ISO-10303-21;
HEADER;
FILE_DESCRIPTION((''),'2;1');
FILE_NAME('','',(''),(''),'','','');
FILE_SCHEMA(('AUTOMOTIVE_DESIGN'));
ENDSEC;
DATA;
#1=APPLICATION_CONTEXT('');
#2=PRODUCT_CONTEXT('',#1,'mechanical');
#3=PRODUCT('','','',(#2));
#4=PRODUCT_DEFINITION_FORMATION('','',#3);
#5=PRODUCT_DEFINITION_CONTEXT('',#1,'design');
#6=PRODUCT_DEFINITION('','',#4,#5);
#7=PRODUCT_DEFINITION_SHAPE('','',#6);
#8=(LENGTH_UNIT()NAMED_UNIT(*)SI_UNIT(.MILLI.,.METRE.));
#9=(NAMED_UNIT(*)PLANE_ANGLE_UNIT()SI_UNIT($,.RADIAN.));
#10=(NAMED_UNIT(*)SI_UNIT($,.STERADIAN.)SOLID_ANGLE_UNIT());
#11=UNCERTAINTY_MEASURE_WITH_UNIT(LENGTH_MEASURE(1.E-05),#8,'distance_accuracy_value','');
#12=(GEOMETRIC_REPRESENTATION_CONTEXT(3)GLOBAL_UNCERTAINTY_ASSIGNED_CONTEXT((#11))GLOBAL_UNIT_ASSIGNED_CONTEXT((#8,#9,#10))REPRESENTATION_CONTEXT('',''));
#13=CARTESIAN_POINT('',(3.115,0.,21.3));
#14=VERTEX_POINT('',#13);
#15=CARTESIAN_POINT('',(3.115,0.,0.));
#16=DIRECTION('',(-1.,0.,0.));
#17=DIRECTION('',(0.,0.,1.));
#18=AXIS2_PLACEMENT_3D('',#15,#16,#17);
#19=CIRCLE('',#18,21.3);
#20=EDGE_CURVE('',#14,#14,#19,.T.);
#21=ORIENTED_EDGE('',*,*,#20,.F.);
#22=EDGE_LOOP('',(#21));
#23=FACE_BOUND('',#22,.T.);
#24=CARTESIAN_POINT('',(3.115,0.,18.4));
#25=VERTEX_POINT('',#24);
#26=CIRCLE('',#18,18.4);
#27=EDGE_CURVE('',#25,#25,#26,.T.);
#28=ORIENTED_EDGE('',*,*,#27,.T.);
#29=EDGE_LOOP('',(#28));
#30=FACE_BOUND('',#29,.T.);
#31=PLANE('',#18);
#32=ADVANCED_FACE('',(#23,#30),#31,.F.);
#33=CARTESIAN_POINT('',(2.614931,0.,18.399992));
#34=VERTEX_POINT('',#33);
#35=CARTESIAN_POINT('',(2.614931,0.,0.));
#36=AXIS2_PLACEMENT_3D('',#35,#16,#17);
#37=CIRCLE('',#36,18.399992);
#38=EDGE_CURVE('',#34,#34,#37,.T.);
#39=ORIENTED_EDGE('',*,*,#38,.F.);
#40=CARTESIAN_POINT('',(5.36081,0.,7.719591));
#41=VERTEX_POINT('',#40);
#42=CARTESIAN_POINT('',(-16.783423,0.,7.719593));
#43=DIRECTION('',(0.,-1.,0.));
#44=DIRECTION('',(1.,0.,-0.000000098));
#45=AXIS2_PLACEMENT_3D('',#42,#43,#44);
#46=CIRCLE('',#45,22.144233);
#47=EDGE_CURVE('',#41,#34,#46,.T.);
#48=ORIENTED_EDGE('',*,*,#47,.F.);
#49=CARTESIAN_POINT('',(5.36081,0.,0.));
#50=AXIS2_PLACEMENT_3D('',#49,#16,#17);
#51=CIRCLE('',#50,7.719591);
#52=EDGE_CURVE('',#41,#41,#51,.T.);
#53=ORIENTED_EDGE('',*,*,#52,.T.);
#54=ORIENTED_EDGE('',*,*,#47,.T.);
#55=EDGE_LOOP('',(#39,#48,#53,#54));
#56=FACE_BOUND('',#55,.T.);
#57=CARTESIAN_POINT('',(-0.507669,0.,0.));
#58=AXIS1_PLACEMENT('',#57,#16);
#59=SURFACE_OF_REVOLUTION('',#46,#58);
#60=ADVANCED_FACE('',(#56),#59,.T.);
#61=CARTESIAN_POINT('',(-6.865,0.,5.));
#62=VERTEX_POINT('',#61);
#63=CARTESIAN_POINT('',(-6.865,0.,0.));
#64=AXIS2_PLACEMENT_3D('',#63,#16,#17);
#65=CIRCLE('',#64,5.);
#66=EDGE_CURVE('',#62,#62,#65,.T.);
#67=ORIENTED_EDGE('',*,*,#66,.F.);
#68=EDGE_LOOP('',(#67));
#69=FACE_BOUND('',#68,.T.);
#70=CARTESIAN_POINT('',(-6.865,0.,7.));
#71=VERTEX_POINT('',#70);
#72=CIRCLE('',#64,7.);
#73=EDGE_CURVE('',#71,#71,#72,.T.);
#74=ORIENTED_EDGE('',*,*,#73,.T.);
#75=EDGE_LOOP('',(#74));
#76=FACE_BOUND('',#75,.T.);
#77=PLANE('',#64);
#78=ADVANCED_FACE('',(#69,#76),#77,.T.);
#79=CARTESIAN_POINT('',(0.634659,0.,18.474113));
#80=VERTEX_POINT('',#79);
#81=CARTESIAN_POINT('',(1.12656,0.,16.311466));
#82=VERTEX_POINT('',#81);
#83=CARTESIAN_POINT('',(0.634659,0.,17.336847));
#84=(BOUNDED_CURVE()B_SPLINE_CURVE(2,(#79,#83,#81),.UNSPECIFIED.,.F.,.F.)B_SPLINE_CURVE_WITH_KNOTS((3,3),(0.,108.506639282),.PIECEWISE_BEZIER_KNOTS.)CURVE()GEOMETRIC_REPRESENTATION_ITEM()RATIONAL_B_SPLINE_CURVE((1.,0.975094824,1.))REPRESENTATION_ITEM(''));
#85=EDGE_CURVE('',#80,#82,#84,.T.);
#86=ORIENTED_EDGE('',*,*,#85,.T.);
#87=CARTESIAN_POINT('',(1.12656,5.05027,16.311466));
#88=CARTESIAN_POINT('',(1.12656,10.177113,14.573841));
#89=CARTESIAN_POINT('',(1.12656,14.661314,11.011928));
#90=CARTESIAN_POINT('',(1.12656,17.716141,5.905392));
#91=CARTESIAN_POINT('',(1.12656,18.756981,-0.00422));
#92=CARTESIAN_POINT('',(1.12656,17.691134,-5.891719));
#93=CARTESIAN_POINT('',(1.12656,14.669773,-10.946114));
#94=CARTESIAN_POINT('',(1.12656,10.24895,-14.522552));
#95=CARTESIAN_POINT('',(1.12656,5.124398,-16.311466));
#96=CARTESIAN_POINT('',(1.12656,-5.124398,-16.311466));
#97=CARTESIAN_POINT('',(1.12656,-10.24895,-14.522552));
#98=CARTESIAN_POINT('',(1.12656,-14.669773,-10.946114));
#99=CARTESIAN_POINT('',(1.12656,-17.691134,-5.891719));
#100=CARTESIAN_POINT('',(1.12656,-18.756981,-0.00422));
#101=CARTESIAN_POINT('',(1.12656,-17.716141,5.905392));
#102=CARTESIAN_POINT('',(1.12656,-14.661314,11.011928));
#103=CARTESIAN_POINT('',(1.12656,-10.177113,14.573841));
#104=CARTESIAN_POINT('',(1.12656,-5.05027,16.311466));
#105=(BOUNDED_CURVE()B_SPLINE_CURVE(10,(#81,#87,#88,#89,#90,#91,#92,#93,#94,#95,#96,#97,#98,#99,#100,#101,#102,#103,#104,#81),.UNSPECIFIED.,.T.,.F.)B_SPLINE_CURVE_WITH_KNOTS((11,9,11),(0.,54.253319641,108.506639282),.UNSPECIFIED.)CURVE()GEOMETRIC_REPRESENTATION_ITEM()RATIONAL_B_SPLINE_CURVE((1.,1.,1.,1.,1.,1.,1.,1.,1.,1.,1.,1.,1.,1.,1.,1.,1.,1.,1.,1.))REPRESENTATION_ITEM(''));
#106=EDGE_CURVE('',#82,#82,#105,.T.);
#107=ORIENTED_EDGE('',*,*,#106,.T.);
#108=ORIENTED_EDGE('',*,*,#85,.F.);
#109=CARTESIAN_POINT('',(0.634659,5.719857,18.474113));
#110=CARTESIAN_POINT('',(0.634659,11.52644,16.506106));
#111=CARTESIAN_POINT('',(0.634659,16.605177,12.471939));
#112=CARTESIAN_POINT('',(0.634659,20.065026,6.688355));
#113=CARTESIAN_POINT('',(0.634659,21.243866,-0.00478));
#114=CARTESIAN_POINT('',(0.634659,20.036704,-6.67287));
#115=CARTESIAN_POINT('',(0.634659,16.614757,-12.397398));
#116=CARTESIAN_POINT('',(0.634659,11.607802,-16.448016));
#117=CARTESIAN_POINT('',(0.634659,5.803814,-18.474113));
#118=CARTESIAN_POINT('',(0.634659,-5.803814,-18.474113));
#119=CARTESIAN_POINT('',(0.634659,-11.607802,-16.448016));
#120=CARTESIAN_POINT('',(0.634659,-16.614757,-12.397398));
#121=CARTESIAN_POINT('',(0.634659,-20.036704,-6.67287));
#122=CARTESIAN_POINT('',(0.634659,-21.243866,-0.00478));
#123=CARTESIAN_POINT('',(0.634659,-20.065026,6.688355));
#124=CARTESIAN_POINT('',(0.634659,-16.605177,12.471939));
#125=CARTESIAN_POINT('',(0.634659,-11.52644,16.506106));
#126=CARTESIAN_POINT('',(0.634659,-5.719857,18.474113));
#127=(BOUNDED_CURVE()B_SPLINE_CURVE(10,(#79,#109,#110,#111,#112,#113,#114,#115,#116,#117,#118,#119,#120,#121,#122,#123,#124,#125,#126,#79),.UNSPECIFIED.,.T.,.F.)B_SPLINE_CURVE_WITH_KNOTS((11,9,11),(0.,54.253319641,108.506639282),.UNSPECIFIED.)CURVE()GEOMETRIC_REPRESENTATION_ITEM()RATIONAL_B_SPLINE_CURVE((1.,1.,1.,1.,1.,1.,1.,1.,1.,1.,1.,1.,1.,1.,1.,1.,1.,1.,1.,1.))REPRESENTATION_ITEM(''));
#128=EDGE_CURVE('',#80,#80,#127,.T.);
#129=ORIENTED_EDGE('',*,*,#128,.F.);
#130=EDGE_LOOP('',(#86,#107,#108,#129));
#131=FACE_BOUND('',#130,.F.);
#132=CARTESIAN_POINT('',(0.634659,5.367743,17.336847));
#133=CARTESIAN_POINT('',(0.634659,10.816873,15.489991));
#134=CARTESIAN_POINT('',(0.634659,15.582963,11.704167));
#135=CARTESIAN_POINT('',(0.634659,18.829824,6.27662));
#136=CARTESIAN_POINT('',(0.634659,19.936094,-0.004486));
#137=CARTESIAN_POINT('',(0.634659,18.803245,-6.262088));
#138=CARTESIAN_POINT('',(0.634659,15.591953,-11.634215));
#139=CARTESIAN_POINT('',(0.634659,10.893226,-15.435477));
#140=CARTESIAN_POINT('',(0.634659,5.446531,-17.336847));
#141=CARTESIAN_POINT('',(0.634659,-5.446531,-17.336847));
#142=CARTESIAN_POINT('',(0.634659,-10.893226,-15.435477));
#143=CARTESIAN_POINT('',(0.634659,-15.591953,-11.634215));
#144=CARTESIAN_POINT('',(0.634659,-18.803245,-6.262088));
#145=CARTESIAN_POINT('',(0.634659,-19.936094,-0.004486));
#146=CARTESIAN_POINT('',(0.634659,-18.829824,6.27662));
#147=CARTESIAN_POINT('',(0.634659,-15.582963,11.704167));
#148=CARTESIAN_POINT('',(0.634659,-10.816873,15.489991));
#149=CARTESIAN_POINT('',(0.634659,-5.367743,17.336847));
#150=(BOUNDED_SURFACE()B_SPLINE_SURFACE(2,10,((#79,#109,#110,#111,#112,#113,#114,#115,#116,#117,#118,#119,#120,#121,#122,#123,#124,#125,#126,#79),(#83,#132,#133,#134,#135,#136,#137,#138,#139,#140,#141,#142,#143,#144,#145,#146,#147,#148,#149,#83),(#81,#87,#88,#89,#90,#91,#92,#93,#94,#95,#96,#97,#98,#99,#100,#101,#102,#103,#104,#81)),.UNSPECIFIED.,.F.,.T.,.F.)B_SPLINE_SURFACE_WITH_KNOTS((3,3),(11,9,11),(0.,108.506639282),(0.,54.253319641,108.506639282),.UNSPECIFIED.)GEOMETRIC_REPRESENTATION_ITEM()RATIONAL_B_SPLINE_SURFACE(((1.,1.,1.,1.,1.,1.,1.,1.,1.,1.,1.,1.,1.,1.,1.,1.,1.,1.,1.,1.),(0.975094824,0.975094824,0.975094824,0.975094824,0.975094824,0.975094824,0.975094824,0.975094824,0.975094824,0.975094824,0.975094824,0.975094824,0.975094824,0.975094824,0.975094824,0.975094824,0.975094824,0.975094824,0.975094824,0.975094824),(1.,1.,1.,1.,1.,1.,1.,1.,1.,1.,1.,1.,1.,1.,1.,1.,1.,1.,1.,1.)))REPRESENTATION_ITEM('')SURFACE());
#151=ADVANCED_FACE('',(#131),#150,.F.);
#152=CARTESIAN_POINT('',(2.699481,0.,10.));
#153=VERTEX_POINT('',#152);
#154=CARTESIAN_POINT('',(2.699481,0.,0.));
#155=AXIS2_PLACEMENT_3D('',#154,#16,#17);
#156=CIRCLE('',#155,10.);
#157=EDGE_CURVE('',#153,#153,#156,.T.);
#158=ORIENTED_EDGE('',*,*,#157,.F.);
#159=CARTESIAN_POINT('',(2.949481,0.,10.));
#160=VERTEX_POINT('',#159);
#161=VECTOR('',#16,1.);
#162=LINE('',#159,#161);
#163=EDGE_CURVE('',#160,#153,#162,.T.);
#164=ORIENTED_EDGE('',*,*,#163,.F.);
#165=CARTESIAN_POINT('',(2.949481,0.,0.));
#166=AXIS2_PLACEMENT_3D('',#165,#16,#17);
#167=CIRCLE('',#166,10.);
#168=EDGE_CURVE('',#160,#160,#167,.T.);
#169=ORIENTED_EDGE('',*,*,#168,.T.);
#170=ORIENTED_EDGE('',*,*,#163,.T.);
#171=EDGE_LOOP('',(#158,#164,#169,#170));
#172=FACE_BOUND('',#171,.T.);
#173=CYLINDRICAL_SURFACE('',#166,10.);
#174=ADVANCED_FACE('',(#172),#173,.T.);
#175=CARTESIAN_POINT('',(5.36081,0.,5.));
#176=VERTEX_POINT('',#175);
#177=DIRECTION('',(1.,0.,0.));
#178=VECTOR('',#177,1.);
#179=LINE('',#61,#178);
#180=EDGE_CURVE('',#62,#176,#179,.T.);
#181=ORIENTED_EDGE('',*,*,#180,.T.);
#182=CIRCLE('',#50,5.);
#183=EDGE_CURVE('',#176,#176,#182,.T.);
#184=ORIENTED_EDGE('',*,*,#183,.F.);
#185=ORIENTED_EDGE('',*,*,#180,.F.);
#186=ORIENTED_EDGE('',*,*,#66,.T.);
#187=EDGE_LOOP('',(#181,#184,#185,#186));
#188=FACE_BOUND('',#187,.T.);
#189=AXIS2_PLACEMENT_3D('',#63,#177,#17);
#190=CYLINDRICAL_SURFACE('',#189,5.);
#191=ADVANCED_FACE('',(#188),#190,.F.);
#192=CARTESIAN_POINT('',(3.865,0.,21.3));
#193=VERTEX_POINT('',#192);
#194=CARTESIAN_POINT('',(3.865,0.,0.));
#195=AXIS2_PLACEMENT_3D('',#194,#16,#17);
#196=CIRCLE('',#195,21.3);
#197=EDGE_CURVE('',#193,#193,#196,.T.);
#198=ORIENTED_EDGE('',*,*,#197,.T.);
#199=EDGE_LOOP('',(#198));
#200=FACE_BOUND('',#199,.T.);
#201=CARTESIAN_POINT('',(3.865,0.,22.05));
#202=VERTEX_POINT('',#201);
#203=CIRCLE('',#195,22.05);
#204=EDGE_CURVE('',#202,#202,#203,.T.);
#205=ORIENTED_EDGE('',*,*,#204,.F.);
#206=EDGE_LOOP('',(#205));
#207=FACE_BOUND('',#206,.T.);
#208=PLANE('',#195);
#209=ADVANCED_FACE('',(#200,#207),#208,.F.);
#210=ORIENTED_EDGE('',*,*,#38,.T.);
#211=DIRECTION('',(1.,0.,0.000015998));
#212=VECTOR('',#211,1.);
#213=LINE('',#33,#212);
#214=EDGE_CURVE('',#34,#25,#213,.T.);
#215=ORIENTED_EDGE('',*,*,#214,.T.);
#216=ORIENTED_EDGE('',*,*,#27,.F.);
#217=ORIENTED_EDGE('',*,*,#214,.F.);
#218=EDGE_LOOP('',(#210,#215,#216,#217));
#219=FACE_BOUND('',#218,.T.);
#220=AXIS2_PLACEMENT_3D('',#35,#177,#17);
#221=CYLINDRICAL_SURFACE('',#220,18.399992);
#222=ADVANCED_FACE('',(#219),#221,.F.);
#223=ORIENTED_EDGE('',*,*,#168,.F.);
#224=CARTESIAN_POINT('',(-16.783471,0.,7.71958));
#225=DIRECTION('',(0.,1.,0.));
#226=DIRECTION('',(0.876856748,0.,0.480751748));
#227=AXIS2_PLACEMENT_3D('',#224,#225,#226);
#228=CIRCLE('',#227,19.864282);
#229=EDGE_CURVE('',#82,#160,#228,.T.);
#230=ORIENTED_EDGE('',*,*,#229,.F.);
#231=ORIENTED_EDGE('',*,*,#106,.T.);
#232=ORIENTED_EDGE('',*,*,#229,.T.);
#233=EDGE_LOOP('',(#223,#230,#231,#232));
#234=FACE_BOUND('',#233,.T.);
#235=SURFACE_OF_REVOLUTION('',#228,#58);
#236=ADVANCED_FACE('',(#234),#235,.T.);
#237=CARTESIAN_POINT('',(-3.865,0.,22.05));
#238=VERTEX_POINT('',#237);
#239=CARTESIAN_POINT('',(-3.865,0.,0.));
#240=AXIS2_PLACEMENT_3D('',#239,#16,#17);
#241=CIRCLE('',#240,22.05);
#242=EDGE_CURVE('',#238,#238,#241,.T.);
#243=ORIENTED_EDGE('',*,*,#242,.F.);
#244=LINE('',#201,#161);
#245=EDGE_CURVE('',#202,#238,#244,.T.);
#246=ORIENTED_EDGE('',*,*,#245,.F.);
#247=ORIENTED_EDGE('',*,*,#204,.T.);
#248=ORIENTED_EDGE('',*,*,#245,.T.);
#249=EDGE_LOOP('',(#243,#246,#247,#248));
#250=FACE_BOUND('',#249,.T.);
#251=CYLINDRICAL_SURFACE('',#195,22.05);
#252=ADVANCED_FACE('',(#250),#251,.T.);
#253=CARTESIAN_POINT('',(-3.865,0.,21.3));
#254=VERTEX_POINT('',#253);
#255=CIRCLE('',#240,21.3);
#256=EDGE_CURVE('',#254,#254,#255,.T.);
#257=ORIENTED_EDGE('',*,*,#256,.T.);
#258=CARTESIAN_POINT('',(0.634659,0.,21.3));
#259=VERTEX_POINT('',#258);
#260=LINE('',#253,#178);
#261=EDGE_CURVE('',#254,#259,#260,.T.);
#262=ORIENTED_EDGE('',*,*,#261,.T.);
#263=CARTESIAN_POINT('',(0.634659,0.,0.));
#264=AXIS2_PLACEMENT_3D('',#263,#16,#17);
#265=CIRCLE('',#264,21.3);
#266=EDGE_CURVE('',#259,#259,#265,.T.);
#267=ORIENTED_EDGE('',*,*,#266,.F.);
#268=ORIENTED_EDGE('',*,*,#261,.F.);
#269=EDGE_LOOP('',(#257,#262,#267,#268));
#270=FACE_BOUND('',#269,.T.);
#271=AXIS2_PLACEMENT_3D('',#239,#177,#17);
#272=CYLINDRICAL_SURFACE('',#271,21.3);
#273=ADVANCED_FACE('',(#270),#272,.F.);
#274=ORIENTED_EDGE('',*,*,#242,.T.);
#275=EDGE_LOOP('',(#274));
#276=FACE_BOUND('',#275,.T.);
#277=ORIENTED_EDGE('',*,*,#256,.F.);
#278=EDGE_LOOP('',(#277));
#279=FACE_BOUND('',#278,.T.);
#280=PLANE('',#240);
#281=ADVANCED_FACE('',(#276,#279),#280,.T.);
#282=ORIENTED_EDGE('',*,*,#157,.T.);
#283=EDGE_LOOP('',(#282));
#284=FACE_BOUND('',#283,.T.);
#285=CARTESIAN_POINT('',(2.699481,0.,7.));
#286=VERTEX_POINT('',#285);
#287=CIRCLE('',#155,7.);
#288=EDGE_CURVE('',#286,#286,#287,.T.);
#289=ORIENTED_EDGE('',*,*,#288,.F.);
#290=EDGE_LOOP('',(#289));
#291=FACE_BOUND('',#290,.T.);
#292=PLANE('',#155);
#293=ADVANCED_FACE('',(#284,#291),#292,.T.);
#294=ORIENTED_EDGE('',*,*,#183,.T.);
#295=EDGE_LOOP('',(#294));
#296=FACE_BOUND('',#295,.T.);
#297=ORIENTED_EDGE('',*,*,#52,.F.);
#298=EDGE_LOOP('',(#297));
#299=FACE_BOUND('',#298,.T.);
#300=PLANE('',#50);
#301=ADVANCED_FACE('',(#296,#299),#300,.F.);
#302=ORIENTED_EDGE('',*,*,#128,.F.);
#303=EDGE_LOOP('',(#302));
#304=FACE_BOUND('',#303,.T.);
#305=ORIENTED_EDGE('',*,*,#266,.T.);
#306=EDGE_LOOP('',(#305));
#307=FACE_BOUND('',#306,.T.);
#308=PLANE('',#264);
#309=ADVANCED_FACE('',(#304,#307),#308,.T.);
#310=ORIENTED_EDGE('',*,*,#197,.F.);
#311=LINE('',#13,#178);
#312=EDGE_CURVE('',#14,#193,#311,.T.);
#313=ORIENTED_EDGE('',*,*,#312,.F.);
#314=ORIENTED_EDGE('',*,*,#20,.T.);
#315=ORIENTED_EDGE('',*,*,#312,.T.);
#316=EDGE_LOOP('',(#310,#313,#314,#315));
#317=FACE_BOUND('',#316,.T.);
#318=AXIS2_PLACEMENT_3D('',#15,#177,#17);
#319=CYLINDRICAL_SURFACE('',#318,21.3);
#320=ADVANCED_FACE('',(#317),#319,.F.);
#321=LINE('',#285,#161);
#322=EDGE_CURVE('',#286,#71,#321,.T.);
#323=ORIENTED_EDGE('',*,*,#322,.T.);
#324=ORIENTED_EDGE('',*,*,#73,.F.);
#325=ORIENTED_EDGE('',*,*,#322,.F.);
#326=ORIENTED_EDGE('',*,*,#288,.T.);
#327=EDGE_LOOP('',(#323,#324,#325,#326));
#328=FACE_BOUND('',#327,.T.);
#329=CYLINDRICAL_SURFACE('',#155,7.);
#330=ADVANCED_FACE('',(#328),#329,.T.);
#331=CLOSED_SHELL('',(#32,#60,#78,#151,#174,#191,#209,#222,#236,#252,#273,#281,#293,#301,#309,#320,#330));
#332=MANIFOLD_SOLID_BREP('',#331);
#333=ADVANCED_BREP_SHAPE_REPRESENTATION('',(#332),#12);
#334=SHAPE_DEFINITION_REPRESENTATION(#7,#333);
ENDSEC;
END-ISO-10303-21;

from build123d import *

# Parameters (mm, degrees)
F2_R = 5


with BuildPart() as f1:
    # F0 (on Front) → F1 (revolve)
    with BuildSketch(Plane.XZ):
        with BuildLine():
            Line((3.865, 21.3), (3.865, 22.05))
            Line((3.865, 22.05), (-3.865, 22.05))
            Line((-3.865, 22.05), (-3.865, 21.3))
            Line((-3.865, 21.3), (0.634659, 21.3))
            Line((0.634659, 21.3), (0.634659, 17.269368))
            ThreePointArc((0.634659, 17.269368), (2.14433, 13.746856), (2.949481, 10))
            Line((2.949481, 10), (2.699481, 10))
            Line((2.699481, 10), (2.699481, 7))
            Line((2.699481, 7), (-6.865, 7))
            Line((-6.865, 7), (-6.865, 5))
            Line((-6.865, 5), (5.36081, 5))
            Line((5.36081, 5), (5.36081, 7.719591))
            ThreePointArc((5.36081, 7.719591), (4.663357, 13.233456), (2.614931, 18.399992))
            Line((2.614931, 18.399992), (3.115, 18.4))
            Line((3.115, 18.4), (3.115, 21.3))
            Line((3.115, 21.3), (3.865, 21.3))
        make_face()
    revolve(axis=Axis((-0.507669, 0, 0), (-1, 0, 0)))

    # F2
    f2_edges = [f1.edges().sort_by_distance(p)[0] for p in [
        (0.634659, 0, -17.269368),
    ]]
    fillet(f2_edges, radius=F2_R)


solid = f1.part
